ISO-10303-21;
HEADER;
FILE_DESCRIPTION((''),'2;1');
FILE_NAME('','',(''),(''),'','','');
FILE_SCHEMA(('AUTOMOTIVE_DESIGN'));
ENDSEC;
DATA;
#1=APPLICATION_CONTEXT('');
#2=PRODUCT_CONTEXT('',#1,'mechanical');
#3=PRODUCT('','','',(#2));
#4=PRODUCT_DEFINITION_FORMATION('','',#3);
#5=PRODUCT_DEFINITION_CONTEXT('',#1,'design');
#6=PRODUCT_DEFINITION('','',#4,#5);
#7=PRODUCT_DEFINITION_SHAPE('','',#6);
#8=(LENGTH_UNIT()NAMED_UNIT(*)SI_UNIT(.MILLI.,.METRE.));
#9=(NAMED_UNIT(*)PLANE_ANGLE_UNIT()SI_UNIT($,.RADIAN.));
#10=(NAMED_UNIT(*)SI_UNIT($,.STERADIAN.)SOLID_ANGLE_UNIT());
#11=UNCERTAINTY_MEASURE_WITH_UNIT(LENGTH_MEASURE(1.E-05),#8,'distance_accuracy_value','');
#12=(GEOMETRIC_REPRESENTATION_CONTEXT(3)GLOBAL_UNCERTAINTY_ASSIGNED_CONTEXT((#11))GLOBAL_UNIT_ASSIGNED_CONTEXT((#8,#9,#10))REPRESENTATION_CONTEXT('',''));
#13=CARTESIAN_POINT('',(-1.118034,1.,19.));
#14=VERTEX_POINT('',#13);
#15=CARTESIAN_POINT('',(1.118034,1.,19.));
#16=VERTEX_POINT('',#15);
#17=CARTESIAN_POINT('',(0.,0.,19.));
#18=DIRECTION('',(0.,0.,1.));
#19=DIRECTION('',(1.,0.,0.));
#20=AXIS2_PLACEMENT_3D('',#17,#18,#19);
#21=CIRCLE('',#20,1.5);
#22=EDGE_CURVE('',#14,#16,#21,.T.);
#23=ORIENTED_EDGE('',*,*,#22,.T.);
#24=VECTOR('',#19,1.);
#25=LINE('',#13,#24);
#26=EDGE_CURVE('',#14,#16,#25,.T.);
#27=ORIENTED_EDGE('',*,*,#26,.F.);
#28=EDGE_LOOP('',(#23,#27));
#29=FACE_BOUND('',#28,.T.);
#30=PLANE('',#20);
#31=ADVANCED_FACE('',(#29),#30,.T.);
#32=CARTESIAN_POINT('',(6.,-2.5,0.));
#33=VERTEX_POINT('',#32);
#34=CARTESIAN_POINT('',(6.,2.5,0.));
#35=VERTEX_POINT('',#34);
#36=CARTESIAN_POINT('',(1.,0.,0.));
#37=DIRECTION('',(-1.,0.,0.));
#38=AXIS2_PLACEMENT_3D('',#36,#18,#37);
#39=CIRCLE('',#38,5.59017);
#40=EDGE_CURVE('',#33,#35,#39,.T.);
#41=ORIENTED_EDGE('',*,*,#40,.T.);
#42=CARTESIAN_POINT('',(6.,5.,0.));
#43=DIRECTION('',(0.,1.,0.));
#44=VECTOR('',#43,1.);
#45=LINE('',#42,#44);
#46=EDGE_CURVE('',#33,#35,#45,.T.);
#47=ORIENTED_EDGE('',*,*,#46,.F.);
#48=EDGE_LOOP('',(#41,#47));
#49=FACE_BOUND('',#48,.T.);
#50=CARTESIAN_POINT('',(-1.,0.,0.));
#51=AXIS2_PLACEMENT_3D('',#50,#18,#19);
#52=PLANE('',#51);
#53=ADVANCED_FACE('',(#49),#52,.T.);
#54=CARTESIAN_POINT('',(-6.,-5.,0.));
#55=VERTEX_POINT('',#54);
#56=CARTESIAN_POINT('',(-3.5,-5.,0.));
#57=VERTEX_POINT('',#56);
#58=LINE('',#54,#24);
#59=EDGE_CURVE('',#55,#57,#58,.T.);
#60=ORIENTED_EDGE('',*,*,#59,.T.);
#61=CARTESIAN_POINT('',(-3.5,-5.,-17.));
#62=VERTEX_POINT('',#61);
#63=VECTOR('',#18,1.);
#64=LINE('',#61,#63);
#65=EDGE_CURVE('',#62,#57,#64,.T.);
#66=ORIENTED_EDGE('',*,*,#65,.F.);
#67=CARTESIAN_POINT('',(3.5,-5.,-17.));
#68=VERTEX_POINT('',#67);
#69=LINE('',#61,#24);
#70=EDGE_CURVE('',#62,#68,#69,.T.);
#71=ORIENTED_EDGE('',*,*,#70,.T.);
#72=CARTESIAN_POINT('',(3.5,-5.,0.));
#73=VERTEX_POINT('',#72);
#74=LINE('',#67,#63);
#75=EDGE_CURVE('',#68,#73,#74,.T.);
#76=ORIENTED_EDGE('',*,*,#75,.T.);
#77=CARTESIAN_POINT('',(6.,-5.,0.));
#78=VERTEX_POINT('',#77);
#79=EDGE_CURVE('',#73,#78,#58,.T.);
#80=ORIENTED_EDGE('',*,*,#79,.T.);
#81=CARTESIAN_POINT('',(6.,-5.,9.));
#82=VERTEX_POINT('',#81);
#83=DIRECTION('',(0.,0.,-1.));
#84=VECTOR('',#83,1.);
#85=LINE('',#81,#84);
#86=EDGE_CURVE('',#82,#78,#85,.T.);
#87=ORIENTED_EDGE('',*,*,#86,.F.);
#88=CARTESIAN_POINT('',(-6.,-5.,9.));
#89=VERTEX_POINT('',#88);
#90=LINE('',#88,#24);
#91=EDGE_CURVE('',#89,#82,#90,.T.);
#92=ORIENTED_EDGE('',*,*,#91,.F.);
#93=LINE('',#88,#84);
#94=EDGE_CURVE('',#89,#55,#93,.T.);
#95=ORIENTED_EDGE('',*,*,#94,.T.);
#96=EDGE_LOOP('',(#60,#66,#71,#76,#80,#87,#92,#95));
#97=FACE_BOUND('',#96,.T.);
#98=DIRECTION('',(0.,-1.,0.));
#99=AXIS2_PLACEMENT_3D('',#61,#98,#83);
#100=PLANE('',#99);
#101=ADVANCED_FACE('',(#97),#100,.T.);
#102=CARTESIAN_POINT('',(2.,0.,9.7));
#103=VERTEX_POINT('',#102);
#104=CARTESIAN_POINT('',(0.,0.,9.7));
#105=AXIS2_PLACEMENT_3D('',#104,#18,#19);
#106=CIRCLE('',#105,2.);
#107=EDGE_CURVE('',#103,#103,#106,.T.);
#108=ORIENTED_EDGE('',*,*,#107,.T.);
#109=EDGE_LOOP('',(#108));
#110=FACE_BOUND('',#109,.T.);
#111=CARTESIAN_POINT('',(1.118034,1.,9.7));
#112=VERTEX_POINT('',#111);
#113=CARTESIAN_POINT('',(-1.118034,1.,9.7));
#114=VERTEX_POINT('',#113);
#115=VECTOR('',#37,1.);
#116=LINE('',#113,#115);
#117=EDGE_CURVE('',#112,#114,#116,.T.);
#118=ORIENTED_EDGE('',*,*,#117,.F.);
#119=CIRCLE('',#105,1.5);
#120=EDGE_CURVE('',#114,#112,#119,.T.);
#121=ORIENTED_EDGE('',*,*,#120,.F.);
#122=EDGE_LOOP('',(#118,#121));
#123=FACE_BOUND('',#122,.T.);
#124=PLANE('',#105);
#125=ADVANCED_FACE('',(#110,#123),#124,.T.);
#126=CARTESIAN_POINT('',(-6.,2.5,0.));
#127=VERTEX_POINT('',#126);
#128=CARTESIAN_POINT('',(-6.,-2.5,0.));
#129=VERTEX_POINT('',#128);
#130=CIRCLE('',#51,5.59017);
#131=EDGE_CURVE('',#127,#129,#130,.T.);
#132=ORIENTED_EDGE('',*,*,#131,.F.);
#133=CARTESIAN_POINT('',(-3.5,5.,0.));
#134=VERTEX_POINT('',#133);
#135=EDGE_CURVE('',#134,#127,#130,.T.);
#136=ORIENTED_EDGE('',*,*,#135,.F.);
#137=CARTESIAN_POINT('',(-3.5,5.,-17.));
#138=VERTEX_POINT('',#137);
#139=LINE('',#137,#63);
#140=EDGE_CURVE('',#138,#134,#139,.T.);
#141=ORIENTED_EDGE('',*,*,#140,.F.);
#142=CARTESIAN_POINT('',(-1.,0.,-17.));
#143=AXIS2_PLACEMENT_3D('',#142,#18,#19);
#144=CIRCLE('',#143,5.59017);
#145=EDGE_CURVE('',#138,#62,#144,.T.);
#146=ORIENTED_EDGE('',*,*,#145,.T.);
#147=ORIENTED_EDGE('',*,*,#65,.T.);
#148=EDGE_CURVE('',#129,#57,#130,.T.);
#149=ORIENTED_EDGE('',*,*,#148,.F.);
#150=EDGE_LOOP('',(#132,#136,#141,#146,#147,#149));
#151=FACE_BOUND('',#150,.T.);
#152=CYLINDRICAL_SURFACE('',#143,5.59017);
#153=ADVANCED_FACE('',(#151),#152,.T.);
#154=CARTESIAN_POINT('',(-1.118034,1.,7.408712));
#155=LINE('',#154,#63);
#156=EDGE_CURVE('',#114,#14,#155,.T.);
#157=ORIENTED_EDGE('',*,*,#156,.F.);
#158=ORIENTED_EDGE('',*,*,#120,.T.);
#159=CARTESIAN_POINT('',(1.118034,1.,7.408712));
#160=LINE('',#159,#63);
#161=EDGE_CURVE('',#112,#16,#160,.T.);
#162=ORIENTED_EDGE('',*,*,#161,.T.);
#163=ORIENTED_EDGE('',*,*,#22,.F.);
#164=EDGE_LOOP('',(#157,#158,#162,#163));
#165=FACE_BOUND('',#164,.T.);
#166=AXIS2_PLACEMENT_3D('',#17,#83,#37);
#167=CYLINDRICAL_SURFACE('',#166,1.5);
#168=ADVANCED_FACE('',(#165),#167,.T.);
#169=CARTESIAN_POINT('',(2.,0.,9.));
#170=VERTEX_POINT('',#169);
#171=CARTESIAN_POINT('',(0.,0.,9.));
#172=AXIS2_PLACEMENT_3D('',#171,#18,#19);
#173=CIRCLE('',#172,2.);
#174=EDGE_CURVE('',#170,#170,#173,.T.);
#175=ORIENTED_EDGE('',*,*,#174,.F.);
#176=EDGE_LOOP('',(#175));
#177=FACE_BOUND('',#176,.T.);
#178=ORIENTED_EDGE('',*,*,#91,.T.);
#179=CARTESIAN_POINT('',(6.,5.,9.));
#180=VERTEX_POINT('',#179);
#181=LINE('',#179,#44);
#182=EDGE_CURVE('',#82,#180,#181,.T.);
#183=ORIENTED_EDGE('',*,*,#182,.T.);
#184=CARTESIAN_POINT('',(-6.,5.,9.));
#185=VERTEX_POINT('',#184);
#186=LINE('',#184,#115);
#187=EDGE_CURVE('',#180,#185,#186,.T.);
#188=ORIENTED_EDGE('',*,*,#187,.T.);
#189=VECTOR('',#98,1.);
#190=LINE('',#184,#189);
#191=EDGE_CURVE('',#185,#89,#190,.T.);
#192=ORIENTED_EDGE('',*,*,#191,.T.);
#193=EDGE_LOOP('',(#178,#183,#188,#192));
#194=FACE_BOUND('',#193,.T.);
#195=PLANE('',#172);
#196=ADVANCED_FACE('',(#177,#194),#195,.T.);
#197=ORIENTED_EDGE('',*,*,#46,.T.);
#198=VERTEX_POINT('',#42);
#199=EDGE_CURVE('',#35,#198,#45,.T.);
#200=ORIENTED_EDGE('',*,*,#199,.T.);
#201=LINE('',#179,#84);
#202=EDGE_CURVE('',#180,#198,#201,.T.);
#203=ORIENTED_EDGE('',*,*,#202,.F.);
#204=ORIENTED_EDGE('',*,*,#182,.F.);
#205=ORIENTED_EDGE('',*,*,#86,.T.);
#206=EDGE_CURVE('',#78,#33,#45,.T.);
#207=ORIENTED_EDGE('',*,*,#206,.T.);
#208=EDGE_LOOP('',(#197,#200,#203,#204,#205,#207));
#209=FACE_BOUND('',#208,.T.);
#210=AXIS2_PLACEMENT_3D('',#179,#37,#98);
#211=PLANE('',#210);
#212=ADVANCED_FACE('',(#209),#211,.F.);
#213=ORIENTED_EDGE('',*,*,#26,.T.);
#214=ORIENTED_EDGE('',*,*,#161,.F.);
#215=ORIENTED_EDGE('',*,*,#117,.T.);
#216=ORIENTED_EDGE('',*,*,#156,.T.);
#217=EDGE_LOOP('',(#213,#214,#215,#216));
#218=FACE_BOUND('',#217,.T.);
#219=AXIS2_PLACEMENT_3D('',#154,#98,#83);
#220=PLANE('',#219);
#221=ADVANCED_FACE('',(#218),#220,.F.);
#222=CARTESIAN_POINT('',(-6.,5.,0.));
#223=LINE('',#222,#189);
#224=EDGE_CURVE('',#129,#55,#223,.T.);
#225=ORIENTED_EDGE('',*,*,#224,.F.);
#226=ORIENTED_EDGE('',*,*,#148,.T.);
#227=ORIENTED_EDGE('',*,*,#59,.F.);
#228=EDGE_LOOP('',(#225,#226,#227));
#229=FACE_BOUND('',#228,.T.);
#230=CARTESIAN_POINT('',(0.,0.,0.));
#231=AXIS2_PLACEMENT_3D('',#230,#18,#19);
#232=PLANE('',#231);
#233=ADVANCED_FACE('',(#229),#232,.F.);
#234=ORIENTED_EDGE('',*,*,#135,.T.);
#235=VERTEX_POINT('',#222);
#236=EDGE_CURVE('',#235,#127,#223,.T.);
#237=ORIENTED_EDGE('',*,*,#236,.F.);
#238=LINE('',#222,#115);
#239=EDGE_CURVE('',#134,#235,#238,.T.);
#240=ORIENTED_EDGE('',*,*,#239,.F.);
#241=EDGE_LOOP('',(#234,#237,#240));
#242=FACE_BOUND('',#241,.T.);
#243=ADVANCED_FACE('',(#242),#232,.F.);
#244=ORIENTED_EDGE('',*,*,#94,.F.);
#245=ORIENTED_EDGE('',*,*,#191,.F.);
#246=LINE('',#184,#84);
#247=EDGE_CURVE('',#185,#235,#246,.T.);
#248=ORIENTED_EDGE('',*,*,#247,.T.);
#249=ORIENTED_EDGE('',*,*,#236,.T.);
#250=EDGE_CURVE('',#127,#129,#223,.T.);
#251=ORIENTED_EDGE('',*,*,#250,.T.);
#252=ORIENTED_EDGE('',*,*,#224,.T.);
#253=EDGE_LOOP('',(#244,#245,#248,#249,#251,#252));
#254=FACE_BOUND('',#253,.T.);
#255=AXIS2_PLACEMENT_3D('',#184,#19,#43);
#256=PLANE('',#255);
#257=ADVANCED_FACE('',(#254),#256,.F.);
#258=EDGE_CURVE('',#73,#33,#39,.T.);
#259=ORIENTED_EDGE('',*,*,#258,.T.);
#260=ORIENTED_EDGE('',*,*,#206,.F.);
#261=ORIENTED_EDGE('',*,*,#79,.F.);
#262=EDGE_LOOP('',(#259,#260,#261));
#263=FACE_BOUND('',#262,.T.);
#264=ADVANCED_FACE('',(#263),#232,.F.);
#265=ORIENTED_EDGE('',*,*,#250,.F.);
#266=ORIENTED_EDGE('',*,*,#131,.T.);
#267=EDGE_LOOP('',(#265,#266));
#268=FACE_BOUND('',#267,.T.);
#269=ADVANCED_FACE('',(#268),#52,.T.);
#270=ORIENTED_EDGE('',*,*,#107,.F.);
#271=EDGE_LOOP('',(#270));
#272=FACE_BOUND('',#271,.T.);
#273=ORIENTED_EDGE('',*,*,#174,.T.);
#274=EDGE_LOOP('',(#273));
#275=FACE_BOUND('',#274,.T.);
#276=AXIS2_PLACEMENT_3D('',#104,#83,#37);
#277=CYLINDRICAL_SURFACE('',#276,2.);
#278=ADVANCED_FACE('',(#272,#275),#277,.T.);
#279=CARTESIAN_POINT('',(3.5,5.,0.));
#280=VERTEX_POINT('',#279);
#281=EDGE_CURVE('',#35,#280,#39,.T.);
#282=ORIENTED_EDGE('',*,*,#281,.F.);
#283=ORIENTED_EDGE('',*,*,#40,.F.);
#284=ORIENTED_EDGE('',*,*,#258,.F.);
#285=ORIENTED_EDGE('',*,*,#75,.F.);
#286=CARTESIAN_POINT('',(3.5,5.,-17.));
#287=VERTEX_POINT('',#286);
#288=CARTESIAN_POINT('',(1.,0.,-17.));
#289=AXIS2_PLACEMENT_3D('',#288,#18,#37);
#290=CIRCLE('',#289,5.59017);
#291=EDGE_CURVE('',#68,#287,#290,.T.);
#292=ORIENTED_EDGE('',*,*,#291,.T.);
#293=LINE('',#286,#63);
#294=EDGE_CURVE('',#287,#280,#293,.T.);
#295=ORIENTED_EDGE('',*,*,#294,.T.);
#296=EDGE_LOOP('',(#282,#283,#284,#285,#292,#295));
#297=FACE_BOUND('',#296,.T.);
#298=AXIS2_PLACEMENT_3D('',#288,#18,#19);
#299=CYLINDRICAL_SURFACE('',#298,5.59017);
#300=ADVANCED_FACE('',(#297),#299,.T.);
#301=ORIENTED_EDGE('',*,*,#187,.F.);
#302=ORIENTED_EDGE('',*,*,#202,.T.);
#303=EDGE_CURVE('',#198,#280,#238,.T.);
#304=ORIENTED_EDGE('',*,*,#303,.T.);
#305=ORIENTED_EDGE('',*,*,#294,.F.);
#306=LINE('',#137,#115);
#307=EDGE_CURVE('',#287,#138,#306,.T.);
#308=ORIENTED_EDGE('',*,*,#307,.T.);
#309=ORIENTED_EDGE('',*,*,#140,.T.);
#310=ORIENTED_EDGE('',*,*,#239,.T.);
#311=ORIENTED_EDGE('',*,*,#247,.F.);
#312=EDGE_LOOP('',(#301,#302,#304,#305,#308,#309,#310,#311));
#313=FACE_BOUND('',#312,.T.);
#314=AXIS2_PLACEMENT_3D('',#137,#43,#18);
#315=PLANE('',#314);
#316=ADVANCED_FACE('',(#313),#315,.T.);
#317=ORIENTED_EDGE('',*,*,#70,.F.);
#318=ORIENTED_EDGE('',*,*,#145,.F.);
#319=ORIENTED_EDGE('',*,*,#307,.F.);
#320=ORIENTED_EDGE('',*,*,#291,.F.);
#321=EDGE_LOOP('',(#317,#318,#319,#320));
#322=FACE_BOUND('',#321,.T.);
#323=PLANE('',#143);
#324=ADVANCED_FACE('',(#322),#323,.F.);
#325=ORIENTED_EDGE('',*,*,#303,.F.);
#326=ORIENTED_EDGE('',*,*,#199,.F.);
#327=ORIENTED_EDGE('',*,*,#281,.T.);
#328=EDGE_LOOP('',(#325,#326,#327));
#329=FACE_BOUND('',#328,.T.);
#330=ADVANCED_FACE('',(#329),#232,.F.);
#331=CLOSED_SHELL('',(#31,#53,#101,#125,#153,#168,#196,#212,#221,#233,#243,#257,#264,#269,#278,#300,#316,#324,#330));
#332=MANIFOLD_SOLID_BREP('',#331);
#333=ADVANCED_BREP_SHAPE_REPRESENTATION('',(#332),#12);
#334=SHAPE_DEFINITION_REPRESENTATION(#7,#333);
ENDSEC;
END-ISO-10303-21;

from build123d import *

# Parameters (mm, degrees)
RESSALTO_EXTRUS_O1_DEPTH = 17
ESBO_O2_W                = 12
ESBO_O2_H                = 10
RESSALTO_EXTRUS_O2_DEPTH = 9
ESBO_O3_R                = 2
RESSALTO_EXTRUS_O3_DEPTH = 0.7
ESBO_O4_R                = 1.5
RESSALTO_EXTRUS_O4_DEPTH = 9.3
CORTE_EXTRUS_O1_START    = -9.3
CORTE_EXTRUS_O1_DEPTH    = 9.3


with BuildPart() as part:
    # Esboço1 → Ressalto-extrusão1 (new body)
    with BuildSketch(Plane.XY):
        with BuildLine():
            Line((-3.5, 5), (3.5, 5))
            ThreePointArc((3.5, 5), (6.590169944, 0), (3.5, -5))
            Line((3.5, -5), (-3.5, -5))
            ThreePointArc((-3.5, -5), (-6.590169944, 0), (-3.5, 5))
        make_face()
    extrude(amount=-RESSALTO_EXTRUS_O1_DEPTH)

    # Esboço2 → Ressalto-extrusão2 (add)
    with BuildSketch(Plane.XY):
        Rectangle(ESBO_O2_W, ESBO_O2_H)
    extrude(amount=RESSALTO_EXTRUS_O2_DEPTH)

    # Esboço3 → Ressalto-extrusão3 (add)
    with BuildSketch(Plane.XY.offset(9)):
        Circle(ESBO_O3_R)
    extrude(amount=RESSALTO_EXTRUS_O3_DEPTH)

    # Esboço4 → Ressalto-extrusão4 (add)
    with BuildSketch(Plane.XY.offset(9.7)):
        Circle(ESBO_O4_R)
    extrude(amount=RESSALTO_EXTRUS_O4_DEPTH)

    # Esboço5 → Corte-extrusão1 (cut)
    with BuildSketch(Plane.XY.offset(19).offset(CORTE_EXTRUS_O1_START)):
        with BuildLine():
            Line((-1.118033989, 1), (1.118033989, 1))
            ThreePointArc((1.118033989, 1), (0, 1.5), (-1.118033989, 1))
        make_face()
    extrude(amount=CORTE_EXTRUS_O1_DEPTH, mode=Mode.SUBTRACT)


solid = part.part
